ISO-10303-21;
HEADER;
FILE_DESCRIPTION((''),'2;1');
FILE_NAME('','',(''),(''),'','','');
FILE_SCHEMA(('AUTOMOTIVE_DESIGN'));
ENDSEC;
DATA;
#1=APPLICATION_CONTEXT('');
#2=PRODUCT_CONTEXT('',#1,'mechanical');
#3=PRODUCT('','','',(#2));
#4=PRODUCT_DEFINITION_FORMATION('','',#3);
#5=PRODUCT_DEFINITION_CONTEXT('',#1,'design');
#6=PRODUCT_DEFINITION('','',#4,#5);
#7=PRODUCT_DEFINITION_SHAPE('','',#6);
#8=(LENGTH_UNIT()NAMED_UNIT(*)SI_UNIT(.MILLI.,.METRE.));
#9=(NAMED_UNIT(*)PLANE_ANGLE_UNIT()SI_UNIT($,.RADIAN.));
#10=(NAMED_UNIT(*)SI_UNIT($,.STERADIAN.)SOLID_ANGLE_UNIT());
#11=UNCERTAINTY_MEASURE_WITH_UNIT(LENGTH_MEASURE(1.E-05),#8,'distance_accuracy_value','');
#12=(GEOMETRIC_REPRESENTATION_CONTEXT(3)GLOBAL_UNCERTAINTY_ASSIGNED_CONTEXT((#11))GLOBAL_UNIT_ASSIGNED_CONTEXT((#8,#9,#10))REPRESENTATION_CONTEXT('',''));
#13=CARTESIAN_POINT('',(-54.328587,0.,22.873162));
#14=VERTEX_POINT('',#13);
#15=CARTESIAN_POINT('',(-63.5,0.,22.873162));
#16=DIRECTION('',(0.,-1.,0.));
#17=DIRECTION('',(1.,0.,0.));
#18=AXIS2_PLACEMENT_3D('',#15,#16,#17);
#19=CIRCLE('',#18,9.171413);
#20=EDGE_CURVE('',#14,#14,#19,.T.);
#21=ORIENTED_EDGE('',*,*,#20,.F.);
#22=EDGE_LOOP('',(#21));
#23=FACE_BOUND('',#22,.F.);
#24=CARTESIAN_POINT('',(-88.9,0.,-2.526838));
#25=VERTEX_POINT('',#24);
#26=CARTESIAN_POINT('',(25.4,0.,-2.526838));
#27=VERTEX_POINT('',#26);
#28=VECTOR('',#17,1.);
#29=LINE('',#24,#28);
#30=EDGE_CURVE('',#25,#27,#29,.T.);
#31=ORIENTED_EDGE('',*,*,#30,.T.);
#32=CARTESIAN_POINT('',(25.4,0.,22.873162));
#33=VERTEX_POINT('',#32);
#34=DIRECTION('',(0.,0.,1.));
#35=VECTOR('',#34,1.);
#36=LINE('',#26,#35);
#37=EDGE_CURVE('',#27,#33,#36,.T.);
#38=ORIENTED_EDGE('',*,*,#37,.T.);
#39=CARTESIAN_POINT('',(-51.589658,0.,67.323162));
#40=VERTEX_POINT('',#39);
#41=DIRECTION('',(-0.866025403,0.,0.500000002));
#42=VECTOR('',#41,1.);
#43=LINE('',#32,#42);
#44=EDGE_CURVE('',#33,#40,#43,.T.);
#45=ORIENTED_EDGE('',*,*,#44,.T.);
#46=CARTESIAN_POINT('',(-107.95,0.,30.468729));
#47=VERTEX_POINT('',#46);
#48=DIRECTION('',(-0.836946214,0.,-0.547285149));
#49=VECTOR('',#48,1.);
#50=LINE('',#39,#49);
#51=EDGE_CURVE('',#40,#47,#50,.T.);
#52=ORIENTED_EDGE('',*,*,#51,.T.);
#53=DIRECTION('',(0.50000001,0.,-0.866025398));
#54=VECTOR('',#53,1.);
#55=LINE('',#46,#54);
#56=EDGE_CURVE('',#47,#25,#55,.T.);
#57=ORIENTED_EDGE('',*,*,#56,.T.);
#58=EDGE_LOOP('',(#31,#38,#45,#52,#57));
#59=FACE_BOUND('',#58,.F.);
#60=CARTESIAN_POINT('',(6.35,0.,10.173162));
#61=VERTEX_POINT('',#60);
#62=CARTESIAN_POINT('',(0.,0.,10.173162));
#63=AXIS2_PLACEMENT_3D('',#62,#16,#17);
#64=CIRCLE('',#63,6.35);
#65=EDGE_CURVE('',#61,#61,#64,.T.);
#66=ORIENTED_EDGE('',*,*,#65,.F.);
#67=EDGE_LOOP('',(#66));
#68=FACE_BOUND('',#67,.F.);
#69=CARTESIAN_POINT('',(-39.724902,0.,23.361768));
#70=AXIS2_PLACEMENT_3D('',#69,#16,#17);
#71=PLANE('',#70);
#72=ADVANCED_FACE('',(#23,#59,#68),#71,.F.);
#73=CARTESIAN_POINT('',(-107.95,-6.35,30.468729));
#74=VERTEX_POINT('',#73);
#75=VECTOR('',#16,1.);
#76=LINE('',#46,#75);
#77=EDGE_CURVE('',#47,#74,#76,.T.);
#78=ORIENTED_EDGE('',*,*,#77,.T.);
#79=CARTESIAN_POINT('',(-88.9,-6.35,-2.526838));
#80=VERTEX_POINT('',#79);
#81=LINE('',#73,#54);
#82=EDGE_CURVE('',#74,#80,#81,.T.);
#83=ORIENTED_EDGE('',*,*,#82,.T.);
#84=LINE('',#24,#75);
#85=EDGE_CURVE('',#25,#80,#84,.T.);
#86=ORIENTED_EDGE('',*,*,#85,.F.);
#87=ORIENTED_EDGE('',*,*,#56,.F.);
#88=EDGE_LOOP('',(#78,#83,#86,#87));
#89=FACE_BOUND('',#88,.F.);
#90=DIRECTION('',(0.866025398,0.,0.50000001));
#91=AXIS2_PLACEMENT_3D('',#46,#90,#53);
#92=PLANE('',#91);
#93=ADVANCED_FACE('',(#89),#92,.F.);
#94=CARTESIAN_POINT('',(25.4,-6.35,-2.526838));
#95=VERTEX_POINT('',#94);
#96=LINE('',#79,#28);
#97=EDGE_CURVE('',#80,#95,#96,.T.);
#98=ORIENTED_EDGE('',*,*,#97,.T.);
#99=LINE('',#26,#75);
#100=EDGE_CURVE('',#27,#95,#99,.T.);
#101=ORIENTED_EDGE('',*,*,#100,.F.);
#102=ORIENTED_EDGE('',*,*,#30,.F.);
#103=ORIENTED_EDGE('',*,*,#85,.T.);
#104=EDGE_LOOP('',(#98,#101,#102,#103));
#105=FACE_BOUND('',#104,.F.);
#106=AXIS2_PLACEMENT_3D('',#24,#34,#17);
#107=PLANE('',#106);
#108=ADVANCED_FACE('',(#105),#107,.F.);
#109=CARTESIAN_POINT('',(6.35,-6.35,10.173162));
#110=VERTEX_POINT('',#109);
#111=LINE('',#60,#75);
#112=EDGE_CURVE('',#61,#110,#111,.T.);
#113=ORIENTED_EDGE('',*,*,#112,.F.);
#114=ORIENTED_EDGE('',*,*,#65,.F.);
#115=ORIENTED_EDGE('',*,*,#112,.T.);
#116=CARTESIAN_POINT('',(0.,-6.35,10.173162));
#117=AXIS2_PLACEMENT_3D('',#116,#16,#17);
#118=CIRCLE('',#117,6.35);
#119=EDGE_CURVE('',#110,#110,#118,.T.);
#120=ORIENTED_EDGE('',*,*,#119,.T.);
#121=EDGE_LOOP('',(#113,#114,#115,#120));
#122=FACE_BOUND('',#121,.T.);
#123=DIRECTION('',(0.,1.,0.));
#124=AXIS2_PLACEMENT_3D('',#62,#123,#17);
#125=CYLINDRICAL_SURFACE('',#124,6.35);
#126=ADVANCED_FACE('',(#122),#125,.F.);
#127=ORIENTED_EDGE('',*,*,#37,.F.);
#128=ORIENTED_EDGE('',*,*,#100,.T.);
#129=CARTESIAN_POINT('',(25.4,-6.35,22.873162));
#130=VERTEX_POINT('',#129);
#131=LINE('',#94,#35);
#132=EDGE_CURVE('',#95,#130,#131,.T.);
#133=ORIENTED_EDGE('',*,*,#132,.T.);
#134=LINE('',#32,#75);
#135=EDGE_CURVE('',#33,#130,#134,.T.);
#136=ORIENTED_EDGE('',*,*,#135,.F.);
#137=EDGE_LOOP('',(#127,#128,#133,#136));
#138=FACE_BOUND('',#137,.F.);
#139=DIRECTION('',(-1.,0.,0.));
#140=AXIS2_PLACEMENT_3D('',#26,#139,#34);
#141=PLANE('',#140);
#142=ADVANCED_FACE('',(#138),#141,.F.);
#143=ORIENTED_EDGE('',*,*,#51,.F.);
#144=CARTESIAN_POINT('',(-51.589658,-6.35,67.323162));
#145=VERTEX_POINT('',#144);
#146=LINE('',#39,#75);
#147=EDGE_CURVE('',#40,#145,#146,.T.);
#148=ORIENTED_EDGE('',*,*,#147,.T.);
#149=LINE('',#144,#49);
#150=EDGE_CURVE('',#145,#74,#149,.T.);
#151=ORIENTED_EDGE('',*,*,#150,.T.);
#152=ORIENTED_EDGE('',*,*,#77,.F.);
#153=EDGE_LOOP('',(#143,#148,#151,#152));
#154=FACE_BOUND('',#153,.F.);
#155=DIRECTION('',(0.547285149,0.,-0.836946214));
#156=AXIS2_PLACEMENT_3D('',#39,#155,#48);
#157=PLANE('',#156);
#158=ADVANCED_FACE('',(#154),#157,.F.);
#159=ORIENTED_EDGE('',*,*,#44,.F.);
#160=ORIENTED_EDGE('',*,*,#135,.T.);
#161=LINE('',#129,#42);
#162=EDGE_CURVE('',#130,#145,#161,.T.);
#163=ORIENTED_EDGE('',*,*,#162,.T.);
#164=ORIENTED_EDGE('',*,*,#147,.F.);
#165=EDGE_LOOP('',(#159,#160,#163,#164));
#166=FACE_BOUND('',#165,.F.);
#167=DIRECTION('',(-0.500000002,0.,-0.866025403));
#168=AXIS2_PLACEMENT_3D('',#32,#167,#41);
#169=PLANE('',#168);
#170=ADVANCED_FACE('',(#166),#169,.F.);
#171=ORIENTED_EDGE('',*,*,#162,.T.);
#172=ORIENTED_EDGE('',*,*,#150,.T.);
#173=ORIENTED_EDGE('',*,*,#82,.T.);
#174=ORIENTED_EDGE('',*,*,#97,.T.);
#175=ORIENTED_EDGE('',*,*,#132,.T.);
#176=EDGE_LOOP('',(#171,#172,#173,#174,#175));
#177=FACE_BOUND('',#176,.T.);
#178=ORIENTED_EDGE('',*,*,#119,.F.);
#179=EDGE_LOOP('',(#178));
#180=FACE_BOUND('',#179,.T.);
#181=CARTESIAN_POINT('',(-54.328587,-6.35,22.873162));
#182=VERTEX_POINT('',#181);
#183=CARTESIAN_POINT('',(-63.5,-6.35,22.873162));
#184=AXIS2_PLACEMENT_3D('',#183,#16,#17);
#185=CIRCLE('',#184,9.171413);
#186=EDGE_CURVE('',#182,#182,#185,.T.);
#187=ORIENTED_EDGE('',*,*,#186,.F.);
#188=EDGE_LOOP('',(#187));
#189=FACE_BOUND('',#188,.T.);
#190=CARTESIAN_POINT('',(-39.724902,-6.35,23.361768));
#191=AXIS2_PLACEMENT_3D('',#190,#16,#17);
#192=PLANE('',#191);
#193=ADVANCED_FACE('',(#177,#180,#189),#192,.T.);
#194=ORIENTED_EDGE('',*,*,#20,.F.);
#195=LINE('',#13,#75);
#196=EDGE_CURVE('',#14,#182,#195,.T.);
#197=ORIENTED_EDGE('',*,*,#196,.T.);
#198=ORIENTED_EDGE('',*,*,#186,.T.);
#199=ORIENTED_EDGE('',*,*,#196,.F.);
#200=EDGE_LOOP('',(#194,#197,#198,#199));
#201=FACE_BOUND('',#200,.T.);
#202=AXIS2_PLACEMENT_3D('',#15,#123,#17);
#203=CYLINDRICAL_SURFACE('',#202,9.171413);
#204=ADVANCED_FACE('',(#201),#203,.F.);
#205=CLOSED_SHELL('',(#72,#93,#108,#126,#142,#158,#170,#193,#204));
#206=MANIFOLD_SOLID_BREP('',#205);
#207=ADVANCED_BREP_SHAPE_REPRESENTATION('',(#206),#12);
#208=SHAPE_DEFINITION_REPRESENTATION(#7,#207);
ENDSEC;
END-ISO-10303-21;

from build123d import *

# Parameters (mm, degrees)
F0_R     = 9.171413
F0_R_2   = 6.35
F1_DEPTH = 6.35


with BuildPart() as f1:
    # F0 (on Front) → F1 (new body)
    with BuildSketch(Plane.XZ):
        Polygon((-107.95, 30.468729), (-88.9, -2.526838), (25.4, -2.526838), (25.4, 22.873162), (-51.589658, 67.323162), align=None)
        with Locations((-63.5, 22.873162)):
            Circle(F0_R, mode=Mode.SUBTRACT)
        with Locations((0, 10.173162)):
            Circle(F0_R_2, mode=Mode.SUBTRACT)
    extrude(amount=F1_DEPTH)


solid = f1.part
